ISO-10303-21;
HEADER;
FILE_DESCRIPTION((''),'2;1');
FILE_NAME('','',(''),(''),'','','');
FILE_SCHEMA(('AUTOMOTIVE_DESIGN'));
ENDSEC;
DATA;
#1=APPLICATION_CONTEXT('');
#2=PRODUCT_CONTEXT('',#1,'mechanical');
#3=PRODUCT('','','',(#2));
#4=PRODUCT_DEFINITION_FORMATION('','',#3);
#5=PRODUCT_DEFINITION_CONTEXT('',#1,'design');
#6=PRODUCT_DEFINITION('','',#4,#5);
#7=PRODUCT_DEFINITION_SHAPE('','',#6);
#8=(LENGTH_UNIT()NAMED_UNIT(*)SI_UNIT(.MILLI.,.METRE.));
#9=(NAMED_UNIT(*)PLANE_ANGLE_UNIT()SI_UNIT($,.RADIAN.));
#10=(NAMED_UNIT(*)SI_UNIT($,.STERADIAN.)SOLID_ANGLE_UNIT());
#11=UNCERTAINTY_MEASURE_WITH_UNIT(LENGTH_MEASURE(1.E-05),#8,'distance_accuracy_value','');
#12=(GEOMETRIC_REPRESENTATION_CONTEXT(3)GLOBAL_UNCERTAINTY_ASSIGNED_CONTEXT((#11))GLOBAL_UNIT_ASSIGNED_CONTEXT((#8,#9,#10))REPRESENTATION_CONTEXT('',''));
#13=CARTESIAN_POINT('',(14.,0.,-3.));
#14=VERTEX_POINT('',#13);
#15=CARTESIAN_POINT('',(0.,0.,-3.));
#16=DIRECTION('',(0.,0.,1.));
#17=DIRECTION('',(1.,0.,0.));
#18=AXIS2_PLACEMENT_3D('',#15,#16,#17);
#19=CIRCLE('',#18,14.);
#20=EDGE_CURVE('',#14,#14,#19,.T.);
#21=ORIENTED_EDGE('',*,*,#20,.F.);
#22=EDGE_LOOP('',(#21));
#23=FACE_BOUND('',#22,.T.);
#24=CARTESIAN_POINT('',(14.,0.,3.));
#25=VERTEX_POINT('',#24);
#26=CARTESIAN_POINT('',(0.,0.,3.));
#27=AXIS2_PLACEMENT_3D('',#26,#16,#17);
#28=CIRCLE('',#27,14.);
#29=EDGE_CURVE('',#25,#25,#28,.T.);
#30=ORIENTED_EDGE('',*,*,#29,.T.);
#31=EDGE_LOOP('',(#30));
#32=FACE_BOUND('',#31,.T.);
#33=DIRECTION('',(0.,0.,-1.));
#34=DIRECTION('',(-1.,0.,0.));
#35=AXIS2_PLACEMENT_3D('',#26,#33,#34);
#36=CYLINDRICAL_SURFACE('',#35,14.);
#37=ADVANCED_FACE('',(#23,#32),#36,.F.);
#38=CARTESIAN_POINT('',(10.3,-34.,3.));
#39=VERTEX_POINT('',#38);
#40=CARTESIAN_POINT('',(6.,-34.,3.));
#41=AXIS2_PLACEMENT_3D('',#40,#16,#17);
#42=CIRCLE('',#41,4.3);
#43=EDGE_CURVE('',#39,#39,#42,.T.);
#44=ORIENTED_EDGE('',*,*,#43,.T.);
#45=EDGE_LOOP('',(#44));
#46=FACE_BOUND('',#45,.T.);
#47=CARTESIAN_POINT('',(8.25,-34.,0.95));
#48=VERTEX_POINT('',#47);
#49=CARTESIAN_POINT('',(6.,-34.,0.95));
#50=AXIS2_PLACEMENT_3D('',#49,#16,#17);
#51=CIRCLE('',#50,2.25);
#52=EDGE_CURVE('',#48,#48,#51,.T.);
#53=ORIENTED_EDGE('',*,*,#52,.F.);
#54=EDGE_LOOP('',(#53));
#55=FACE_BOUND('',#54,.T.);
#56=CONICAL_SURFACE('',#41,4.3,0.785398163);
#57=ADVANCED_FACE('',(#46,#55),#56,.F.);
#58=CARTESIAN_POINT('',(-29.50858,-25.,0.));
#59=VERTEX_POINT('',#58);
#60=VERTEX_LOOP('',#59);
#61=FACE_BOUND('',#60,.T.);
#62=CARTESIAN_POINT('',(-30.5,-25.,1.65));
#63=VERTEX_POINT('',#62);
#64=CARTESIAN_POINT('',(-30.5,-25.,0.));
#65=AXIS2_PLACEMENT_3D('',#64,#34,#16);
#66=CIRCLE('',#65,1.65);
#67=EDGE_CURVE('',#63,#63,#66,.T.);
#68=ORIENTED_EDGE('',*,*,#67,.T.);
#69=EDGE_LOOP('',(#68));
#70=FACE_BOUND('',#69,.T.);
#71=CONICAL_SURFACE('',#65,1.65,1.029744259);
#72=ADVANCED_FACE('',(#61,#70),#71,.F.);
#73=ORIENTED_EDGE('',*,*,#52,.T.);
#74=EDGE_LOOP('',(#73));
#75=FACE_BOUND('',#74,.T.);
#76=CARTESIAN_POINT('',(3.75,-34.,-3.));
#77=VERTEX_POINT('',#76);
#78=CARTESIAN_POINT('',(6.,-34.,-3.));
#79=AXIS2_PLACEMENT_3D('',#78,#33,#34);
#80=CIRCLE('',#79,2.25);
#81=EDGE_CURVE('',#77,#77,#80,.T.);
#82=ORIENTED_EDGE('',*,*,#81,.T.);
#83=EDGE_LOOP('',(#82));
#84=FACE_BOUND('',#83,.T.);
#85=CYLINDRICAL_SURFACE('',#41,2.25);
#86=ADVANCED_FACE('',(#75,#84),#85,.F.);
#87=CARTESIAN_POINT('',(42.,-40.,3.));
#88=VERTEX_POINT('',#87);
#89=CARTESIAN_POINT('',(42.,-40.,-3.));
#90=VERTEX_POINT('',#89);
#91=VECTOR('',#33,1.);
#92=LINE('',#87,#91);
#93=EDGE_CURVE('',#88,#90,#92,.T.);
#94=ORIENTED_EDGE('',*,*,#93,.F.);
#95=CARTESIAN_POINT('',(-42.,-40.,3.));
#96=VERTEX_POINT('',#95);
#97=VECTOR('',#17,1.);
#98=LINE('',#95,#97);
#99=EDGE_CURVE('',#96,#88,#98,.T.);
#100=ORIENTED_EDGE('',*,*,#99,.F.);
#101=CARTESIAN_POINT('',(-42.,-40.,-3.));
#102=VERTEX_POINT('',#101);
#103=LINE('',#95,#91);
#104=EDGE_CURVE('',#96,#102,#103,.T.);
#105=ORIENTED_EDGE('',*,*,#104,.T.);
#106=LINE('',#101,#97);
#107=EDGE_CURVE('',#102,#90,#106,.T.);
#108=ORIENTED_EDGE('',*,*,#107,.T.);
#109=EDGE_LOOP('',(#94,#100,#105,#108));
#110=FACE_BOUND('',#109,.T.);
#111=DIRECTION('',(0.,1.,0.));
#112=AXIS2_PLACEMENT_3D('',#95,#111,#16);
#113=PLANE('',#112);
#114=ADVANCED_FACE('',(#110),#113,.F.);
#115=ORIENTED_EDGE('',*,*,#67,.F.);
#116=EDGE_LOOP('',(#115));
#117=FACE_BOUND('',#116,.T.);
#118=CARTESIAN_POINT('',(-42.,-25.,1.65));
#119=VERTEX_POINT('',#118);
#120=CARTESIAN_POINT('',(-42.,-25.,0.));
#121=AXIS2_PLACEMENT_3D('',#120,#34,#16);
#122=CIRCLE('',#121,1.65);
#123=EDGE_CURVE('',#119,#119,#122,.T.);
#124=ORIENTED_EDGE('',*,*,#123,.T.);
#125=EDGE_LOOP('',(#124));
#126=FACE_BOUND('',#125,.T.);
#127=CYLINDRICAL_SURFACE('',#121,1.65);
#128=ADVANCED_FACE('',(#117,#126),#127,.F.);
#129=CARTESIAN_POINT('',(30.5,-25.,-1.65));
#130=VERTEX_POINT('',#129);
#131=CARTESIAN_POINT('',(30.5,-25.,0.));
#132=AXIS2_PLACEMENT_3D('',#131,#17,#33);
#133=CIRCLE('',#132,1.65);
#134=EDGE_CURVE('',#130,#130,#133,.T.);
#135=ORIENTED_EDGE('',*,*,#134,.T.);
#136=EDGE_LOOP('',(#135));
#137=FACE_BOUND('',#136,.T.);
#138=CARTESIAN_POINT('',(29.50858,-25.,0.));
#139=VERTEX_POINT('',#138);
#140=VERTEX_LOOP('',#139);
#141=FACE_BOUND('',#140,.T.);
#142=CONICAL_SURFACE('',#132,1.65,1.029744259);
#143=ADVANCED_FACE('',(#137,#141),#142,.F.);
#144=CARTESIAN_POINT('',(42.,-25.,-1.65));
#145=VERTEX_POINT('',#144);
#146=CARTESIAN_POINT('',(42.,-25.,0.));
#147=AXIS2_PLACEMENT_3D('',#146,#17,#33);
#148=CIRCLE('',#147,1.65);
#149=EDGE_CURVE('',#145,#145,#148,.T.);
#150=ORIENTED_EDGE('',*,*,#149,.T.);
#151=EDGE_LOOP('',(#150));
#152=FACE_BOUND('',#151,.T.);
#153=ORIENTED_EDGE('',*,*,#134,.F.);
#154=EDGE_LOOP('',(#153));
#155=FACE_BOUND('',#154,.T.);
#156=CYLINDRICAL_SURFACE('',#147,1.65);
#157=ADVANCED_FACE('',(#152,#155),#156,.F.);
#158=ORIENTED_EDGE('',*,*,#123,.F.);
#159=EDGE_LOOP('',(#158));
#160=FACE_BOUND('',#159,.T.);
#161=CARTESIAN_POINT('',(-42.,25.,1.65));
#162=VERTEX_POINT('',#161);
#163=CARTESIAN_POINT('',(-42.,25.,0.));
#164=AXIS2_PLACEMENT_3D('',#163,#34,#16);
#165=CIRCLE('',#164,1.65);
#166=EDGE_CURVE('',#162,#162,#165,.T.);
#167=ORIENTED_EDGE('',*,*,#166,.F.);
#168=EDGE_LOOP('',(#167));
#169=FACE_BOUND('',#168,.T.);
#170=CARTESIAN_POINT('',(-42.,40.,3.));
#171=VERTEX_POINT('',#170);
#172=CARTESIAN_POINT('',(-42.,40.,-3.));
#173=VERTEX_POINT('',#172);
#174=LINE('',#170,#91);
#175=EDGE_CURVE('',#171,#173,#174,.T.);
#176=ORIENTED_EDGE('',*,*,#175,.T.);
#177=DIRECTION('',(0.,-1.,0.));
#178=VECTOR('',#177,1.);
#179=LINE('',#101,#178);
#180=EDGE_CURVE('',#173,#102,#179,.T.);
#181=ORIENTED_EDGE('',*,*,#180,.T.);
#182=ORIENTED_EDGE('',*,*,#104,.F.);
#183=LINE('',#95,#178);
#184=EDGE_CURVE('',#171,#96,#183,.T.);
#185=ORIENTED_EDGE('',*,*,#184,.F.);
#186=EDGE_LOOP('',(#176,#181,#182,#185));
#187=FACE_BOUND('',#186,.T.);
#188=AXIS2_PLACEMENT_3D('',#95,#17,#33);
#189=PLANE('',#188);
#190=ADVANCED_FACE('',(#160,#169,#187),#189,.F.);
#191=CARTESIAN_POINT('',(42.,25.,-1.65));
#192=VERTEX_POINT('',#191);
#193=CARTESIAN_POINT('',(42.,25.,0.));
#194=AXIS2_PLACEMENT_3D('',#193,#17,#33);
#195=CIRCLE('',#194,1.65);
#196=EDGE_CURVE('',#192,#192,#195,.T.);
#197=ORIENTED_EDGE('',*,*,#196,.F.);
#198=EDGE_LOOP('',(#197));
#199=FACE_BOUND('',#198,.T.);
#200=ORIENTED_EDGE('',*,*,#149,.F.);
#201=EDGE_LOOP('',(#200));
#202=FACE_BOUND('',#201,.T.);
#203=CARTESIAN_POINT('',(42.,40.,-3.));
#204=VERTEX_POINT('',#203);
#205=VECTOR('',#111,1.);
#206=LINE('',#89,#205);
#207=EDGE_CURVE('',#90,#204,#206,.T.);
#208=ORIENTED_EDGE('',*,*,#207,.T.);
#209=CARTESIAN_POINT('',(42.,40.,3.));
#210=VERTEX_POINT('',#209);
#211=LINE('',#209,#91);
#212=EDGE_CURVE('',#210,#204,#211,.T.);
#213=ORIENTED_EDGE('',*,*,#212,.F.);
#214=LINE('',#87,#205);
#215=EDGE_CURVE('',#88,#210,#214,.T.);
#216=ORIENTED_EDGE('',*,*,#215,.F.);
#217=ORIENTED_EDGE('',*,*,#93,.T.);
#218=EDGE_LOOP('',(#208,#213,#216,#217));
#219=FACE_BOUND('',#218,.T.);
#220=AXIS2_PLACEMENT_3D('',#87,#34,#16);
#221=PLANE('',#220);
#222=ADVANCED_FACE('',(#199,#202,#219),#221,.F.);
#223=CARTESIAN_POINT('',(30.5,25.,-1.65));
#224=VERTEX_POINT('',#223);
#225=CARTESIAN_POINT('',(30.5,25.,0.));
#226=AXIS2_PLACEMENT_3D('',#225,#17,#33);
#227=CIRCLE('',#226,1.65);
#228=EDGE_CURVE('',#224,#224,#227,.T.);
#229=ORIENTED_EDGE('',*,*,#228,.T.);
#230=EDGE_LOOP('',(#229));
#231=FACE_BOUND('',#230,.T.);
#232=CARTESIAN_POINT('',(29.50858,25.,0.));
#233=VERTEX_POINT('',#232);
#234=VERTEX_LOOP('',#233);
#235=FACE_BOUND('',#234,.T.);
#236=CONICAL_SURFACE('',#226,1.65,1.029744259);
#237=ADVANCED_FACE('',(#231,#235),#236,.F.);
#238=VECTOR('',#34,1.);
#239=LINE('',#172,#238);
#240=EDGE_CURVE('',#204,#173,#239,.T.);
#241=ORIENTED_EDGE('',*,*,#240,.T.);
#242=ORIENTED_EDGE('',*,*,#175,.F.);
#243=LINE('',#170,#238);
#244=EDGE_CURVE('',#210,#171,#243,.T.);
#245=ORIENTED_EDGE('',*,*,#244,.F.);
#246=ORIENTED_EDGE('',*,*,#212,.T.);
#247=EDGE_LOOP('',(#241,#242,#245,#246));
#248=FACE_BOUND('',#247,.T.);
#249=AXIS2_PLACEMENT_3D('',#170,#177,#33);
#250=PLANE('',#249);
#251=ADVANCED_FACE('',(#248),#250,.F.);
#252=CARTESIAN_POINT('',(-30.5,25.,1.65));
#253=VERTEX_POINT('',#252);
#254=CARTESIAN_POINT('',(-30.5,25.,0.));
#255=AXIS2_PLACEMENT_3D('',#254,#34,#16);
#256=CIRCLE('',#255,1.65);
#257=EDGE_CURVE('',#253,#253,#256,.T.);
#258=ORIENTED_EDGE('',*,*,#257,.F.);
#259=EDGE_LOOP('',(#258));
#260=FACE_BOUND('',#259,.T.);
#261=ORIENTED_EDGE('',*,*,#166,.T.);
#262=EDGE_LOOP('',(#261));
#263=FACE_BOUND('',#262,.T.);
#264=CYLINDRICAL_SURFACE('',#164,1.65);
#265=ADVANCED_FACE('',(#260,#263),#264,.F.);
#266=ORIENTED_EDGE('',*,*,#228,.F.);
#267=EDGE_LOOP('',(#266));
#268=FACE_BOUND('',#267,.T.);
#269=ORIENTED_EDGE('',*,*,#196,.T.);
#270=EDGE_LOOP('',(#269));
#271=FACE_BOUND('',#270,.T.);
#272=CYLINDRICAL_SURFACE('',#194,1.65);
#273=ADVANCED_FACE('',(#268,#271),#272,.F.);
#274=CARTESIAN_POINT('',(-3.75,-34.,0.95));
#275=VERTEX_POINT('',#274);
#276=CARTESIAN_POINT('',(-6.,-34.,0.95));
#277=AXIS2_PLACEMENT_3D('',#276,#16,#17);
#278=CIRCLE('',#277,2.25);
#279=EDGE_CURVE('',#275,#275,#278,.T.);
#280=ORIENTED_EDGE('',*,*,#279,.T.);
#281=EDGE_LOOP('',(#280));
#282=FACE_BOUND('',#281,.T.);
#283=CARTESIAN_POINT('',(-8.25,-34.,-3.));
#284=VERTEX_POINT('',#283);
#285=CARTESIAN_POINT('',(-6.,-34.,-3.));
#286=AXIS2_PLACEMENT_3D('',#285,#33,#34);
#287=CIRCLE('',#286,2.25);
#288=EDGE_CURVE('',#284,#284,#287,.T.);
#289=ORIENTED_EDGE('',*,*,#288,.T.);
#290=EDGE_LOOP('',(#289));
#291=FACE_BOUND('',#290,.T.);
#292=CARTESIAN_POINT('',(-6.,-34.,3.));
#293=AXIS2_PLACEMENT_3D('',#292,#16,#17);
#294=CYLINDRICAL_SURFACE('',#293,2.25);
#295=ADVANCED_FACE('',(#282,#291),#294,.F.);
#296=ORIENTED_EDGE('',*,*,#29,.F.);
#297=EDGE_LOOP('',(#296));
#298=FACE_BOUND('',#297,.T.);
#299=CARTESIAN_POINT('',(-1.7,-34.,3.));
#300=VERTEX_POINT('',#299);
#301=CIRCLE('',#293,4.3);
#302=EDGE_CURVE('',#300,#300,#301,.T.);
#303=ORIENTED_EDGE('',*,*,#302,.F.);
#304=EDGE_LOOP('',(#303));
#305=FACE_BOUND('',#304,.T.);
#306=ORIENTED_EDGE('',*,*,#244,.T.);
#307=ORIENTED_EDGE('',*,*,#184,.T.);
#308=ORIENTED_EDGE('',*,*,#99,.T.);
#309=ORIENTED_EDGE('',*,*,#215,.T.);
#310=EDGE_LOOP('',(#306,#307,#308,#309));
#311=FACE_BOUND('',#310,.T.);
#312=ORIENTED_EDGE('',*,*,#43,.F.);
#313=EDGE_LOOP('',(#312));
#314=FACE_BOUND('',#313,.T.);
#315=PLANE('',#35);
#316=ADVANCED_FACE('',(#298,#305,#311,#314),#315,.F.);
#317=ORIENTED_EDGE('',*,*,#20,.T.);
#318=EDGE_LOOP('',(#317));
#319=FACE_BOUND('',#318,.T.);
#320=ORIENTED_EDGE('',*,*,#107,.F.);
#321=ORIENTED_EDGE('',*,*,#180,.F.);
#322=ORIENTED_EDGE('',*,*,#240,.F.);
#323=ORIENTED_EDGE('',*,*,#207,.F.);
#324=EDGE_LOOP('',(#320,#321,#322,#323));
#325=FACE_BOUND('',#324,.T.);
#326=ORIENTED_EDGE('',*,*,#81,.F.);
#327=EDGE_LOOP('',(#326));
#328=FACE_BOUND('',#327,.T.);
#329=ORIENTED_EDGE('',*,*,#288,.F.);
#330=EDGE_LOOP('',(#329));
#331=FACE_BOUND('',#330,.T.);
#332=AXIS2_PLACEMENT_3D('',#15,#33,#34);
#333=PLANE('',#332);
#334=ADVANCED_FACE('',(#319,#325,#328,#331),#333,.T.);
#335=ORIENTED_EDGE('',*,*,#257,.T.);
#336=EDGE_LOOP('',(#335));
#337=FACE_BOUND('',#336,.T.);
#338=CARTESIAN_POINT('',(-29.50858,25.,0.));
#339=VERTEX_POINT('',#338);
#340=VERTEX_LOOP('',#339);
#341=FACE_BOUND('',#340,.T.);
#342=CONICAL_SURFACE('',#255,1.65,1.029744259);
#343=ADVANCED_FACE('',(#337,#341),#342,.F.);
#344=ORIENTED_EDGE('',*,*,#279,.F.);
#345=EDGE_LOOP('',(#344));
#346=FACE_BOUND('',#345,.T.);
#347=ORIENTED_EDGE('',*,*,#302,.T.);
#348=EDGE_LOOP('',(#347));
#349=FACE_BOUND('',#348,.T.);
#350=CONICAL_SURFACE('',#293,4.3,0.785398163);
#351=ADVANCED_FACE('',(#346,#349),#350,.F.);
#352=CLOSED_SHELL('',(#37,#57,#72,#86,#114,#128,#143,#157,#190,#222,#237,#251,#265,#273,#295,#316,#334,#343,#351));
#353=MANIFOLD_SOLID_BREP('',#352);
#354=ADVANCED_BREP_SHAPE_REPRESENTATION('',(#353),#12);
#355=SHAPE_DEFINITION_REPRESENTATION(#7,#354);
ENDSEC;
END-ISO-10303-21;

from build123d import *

# Parameters (mm, degrees)
SKETCH_1_W                  = 84
SKETCH_1_H                  = 80
SKETCH_1_R                  = 14
EXTRUDE_1_DEPTH             = 3
HOLE_WIZARD_M4_1_AT_2_COUNT = 2
HOLE_WIZARD_M4_1_AT_2_PITCH = 50
HOLE_WIZARD_1_D             = 4.5
HOLE_WIZARD_1_DEPTH         = 10
HOLE_WIZARD_1_CSINK_D       = 8.6
HOLE_WIZARD_1_CSINK_ANGLE   = 90
HOLE_WIZARD_1_TIP           = 1.351936393


with BuildPart() as part:
    # 草图1 → 凸台-拉伸1 (new, symmetric)
    with BuildSketch(Plane.XY):
        Rectangle(SKETCH_1_W, SKETCH_1_H)
        Circle(SKETCH_1_R, mode=Mode.SUBTRACT)
    extrude(amount=EXTRUDE_1_DEPTH, both=True)

    # 草图4 → M4 螺纹孔1 (revolve, cut)
    with BuildSketch(Plane(origin=(-42, 25, 0), x_dir=(0, 0, 1), z_dir=(0, 1, 0))):
        Polygon((0, 0), (0, 12.491420021), (1.65, 11.5), (1.65, 0), align=None)
    hole_wizard_m4_1 = revolve(axis=Axis((-48.35, 25, 0), (1, 0, 0)), mode=Mode.SUBTRACT)

    # M4 螺纹孔1 at 2: M4 螺纹孔1 ×2
    with Locations(*[(0, -i * HOLE_WIZARD_M4_1_AT_2_PITCH, 0) for i in range(1, HOLE_WIZARD_M4_1_AT_2_COUNT)]):
        add(hole_wizard_m4_1, mode=Mode.SUBTRACT)

    # 镜向1: M4 螺纹孔1 across plane
    add(hole_wizard_m4_1.mirror(Plane(origin=(0, 0, 0), x_dir=(0, 0, 1), z_dir=(1, 0, 0))), mode=Mode.SUBTRACT)

    # 镜向1 copy 1 sketch → 镜向1 copy 1 (revolve, cut)
    with BuildSketch(Plane(origin=(42, -25, 0), x_dir=(0, 0, 1), z_dir=(0, 1, 0))):
        Polygon((0, 0), (0, -12.491420021), (1.65, -11.5), (1.65, 0), align=None)
    revolve(axis=Axis((48.35, -25, 0), (1, 0, 0)), mode=Mode.SUBTRACT)

    # 打孔尺寸(%根据十字)槽沉头木螺钉的类型1
    with Locations(Plane(origin=(0, 0, 3), x_dir=(-1, 0, 0), z_dir=(0, 0, 1))):
        with Locations((6, 34), (-6, 34)):
            CounterSinkHole(HOLE_WIZARD_1_D / 2, HOLE_WIZARD_1_CSINK_D / 2, depth=HOLE_WIZARD_1_DEPTH, counter_sink_angle=HOLE_WIZARD_1_CSINK_ANGLE)
            with Locations((0, 0, -(HOLE_WIZARD_1_DEPTH + HOLE_WIZARD_1_TIP / 2))):  # 118° drill point
                Cone(0, HOLE_WIZARD_1_D / 2, HOLE_WIZARD_1_TIP, mode=Mode.SUBTRACT)


solid = part.part
